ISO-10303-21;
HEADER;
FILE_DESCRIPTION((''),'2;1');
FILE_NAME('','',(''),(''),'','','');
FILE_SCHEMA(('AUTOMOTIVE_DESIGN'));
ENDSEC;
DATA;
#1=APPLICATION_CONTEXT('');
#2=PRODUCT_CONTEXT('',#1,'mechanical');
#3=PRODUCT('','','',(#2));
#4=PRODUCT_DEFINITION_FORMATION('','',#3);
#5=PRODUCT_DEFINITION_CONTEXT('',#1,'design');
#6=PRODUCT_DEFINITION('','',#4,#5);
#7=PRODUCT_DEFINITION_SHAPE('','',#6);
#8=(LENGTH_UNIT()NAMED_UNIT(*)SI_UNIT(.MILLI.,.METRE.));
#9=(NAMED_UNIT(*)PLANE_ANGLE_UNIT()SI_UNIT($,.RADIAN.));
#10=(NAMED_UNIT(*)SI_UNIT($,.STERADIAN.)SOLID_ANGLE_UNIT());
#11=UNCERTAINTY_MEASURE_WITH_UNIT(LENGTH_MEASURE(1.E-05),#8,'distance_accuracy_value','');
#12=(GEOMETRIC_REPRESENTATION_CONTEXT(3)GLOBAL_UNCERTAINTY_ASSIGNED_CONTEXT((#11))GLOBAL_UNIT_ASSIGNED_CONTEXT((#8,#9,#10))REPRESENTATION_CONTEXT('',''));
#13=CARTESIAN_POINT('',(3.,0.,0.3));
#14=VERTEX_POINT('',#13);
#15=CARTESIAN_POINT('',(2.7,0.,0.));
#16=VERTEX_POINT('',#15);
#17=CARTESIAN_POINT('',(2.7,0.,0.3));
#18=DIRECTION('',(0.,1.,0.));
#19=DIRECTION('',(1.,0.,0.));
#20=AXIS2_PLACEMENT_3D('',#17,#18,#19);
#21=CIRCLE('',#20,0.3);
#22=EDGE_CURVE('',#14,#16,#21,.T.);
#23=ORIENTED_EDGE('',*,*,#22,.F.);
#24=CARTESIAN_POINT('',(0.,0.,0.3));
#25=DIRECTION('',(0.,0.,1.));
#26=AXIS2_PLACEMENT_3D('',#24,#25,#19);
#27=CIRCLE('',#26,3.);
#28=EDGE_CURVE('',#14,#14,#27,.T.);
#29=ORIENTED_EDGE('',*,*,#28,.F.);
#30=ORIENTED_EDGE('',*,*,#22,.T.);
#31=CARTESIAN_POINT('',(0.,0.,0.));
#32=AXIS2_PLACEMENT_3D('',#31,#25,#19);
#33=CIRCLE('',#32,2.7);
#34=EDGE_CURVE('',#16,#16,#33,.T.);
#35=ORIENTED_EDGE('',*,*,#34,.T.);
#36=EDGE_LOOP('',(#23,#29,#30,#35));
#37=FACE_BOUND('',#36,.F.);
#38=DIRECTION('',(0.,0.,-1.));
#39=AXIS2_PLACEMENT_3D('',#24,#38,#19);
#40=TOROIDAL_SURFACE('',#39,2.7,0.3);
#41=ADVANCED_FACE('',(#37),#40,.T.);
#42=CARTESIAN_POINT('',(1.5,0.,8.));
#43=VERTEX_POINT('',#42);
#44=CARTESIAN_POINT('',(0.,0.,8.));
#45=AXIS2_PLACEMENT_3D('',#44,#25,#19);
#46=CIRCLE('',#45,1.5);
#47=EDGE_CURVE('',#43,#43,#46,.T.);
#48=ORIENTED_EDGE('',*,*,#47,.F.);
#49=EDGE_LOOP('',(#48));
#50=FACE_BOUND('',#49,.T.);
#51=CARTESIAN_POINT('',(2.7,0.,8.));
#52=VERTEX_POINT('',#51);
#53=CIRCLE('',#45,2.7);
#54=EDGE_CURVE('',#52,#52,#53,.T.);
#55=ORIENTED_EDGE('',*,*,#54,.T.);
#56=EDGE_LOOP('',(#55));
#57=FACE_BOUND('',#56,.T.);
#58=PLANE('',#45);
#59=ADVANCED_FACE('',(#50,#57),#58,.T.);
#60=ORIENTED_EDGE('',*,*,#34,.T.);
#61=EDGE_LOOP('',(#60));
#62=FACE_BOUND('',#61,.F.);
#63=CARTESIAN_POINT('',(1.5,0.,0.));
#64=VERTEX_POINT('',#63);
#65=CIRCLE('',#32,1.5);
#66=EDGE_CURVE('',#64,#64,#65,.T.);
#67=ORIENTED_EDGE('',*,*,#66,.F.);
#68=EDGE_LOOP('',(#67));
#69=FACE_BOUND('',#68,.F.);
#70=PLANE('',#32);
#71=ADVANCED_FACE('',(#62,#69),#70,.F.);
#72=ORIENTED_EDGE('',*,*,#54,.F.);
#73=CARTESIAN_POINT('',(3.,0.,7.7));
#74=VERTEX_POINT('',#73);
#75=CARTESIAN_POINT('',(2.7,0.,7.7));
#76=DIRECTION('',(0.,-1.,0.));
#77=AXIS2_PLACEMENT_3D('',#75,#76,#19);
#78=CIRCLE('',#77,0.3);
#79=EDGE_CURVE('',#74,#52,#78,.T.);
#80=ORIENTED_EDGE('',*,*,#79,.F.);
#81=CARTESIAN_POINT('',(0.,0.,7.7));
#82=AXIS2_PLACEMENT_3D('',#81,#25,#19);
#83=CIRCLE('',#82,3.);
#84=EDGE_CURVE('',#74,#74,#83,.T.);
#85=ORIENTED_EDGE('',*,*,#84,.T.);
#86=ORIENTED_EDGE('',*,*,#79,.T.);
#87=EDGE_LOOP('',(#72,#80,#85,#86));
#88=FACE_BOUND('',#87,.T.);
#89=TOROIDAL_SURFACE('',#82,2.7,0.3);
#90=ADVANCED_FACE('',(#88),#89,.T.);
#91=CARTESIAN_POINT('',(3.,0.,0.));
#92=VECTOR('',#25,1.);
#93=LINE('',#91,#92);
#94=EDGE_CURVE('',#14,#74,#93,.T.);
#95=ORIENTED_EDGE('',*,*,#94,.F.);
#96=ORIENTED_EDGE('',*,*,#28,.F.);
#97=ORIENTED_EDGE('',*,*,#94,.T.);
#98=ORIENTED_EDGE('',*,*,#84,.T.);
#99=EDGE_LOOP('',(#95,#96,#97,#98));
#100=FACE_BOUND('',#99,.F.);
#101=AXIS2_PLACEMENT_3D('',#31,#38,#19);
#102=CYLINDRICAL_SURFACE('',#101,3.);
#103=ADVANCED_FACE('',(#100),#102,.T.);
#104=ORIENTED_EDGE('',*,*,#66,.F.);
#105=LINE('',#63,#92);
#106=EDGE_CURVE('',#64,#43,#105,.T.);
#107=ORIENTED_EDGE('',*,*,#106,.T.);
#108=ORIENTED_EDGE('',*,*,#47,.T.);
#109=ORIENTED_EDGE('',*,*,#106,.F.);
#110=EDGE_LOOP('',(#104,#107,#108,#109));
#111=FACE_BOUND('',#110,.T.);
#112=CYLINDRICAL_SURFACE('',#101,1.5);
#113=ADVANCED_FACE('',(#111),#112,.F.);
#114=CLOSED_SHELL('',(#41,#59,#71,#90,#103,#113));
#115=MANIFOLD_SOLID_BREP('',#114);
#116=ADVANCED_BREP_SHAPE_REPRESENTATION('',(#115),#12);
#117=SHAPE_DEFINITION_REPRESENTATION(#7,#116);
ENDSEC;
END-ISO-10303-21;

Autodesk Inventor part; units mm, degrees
ref_plane "YZ Plane" through (0, 0, 0) normal (1, 0, 0) x (0, 1, 0)
ref_plane "XZ Plane" through (0, 0, 0) normal (0, 1, 0) x (-1, 0, 0)
ref_plane "XY Plane" through (0, 0, 0) normal (0, 0, 1) x (1, 0, 0)
sketch "スケッチ1" plane through (0, 0, 0) normal (0, 0, 1) x (1, 0, 0)
  circle A0 centre (0, 0) radius 1.5
  circle A1 centre (0, 0) radius 3
  dimension "d0" = 3
  dimension "d1" = 6
extrude "押し出し1" add sketch "スケッチ1" along normal blind 8
fillet "フィレット1" radius 0.3 2 edges at (-3, 0, 8) (-3, 0, 0)
thread "ねじ1" size "M3x0.5" class "6H" standard "ANSI Metric M Profile" length 100
properties part number "スペーサーM3L8アルミ" material "アルミニウム 2014-T4"
